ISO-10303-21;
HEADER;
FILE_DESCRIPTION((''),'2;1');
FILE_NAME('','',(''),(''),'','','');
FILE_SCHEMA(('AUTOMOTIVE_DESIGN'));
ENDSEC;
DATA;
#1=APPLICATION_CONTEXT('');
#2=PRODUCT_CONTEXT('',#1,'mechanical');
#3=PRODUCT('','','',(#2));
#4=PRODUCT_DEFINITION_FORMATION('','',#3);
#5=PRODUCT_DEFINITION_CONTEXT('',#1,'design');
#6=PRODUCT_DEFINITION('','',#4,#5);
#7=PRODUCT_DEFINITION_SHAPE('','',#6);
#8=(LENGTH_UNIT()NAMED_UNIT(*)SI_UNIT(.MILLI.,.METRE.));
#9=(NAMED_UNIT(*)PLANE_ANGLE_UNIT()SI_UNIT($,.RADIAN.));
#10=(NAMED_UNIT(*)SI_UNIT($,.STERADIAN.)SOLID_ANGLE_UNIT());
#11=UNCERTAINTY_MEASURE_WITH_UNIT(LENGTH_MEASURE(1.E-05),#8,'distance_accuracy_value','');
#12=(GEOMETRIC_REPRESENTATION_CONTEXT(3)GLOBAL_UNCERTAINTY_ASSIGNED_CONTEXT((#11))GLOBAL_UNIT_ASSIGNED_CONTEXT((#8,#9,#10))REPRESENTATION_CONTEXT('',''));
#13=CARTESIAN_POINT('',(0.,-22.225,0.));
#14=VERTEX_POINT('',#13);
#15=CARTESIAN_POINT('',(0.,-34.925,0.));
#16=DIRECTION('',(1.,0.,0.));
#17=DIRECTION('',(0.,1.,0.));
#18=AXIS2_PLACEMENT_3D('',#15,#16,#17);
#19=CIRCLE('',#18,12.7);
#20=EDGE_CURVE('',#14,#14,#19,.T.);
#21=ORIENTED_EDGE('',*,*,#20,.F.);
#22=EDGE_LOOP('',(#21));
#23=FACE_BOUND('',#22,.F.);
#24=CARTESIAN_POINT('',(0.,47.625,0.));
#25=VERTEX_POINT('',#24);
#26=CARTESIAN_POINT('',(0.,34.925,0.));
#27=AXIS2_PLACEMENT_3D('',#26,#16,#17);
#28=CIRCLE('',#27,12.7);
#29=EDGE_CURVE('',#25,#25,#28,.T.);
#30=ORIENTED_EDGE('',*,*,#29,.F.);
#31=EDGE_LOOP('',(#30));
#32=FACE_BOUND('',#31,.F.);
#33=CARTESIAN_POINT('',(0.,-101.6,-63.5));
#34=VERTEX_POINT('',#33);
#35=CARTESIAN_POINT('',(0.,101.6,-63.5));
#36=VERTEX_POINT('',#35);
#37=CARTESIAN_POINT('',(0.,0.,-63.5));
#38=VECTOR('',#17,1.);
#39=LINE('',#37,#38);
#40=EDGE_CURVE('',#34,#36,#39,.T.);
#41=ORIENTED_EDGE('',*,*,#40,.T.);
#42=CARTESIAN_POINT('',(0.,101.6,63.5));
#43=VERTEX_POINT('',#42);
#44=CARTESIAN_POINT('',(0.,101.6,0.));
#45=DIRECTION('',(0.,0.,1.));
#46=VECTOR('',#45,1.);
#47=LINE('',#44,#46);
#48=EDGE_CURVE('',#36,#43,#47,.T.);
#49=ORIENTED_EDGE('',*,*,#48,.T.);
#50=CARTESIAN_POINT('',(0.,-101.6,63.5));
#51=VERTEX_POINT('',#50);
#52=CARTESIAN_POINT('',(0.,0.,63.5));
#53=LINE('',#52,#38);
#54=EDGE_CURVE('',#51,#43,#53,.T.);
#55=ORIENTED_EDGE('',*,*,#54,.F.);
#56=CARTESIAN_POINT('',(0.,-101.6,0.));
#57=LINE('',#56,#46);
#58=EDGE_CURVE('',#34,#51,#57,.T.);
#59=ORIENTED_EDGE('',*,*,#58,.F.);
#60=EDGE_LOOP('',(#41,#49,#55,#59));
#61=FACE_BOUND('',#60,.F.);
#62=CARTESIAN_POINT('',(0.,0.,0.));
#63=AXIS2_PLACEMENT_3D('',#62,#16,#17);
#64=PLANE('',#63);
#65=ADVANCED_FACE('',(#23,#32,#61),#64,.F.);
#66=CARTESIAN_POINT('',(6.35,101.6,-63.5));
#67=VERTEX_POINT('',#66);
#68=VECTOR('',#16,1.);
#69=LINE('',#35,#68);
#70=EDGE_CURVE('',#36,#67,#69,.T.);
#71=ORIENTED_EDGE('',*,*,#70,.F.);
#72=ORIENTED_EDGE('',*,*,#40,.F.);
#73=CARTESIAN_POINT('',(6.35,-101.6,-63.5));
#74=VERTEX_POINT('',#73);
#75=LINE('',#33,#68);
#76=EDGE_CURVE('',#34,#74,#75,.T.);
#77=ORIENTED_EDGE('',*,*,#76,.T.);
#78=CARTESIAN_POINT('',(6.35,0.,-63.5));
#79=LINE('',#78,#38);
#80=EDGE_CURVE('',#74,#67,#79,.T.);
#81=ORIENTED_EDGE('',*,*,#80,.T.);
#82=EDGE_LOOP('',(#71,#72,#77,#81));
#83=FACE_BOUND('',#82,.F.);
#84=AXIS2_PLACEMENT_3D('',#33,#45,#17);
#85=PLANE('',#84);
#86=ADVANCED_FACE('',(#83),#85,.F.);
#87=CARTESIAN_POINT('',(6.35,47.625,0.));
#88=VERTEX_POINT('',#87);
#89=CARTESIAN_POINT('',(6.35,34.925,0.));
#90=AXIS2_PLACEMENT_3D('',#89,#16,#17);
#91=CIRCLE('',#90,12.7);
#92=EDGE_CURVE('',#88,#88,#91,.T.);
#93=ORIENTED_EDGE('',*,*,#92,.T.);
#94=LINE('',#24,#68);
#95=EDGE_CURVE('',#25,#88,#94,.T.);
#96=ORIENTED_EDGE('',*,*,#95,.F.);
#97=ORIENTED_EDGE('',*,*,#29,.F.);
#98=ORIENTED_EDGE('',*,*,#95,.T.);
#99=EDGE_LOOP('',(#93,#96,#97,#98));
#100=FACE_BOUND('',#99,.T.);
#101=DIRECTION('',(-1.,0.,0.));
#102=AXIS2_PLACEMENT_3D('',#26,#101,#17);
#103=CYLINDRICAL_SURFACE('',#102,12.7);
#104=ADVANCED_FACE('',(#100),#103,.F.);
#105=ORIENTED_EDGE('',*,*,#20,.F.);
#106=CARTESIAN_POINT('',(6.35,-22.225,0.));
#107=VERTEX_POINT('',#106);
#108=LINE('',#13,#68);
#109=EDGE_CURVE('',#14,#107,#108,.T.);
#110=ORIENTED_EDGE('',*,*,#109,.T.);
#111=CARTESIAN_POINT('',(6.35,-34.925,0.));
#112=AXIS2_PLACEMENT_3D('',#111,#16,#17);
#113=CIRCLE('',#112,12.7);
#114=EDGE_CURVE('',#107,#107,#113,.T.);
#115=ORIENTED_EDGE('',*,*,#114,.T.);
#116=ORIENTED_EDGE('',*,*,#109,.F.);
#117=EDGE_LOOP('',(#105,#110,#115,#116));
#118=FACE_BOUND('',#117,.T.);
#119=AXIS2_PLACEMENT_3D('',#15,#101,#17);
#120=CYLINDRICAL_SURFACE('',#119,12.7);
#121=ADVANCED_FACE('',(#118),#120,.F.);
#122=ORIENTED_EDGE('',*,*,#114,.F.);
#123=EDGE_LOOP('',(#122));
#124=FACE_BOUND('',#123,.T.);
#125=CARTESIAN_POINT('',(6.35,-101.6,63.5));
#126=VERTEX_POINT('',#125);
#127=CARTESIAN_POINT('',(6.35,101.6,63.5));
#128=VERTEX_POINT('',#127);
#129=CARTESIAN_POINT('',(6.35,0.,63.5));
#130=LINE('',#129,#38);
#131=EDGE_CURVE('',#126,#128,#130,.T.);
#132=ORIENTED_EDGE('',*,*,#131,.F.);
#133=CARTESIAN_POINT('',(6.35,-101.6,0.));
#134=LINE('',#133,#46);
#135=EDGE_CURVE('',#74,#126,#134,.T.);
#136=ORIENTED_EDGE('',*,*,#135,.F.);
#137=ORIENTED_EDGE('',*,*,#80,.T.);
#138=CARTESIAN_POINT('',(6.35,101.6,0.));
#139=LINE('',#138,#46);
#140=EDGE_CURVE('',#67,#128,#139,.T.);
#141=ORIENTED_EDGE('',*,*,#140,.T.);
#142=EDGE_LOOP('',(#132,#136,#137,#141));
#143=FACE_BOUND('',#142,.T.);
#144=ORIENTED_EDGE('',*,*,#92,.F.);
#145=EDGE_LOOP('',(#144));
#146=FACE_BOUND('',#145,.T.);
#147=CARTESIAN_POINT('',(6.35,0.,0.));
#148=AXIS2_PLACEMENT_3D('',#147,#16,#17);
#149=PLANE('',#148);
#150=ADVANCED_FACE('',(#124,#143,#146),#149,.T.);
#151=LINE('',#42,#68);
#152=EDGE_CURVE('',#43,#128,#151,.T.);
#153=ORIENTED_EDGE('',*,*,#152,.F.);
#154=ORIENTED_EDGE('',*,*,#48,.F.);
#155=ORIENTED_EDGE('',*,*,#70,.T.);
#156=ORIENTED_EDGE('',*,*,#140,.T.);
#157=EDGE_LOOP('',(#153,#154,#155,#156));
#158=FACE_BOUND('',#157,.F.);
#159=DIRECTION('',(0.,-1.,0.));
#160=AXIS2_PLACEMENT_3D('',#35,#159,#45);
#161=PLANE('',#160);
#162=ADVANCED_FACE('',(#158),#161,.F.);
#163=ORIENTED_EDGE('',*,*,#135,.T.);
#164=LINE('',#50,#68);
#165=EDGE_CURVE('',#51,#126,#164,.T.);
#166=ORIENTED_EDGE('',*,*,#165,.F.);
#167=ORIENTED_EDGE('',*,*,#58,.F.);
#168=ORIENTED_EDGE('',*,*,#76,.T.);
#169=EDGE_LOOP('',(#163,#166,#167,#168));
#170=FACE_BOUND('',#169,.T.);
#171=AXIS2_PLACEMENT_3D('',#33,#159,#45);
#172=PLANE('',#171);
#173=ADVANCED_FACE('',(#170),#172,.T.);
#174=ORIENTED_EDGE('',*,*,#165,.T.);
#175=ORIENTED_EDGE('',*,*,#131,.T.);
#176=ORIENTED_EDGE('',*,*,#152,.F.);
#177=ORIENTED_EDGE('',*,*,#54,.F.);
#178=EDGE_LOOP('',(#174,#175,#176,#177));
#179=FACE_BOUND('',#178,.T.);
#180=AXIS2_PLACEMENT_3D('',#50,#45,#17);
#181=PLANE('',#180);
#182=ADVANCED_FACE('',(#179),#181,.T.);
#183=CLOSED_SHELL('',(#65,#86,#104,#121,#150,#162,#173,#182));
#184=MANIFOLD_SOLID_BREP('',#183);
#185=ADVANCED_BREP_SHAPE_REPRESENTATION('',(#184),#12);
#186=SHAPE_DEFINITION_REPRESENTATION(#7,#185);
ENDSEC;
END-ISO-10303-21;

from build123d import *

# Parameters (mm, degrees)
F0_W     = 203.2
F0_H     = 127
F0_R     = 12.7
F1_DEPTH = 6.35


with BuildPart() as f1:
    # F0 (on Right) → F1 (new body)
    with BuildSketch(Plane.YZ):
        Rectangle(F0_W, F0_H)
        with Locations((-34.925, 0)):
            Circle(F0_R, mode=Mode.SUBTRACT)
        with Locations((34.925, 0)):
            Circle(F0_R, mode=Mode.SUBTRACT)
    extrude(amount=F1_DEPTH)


solid = f1.part
